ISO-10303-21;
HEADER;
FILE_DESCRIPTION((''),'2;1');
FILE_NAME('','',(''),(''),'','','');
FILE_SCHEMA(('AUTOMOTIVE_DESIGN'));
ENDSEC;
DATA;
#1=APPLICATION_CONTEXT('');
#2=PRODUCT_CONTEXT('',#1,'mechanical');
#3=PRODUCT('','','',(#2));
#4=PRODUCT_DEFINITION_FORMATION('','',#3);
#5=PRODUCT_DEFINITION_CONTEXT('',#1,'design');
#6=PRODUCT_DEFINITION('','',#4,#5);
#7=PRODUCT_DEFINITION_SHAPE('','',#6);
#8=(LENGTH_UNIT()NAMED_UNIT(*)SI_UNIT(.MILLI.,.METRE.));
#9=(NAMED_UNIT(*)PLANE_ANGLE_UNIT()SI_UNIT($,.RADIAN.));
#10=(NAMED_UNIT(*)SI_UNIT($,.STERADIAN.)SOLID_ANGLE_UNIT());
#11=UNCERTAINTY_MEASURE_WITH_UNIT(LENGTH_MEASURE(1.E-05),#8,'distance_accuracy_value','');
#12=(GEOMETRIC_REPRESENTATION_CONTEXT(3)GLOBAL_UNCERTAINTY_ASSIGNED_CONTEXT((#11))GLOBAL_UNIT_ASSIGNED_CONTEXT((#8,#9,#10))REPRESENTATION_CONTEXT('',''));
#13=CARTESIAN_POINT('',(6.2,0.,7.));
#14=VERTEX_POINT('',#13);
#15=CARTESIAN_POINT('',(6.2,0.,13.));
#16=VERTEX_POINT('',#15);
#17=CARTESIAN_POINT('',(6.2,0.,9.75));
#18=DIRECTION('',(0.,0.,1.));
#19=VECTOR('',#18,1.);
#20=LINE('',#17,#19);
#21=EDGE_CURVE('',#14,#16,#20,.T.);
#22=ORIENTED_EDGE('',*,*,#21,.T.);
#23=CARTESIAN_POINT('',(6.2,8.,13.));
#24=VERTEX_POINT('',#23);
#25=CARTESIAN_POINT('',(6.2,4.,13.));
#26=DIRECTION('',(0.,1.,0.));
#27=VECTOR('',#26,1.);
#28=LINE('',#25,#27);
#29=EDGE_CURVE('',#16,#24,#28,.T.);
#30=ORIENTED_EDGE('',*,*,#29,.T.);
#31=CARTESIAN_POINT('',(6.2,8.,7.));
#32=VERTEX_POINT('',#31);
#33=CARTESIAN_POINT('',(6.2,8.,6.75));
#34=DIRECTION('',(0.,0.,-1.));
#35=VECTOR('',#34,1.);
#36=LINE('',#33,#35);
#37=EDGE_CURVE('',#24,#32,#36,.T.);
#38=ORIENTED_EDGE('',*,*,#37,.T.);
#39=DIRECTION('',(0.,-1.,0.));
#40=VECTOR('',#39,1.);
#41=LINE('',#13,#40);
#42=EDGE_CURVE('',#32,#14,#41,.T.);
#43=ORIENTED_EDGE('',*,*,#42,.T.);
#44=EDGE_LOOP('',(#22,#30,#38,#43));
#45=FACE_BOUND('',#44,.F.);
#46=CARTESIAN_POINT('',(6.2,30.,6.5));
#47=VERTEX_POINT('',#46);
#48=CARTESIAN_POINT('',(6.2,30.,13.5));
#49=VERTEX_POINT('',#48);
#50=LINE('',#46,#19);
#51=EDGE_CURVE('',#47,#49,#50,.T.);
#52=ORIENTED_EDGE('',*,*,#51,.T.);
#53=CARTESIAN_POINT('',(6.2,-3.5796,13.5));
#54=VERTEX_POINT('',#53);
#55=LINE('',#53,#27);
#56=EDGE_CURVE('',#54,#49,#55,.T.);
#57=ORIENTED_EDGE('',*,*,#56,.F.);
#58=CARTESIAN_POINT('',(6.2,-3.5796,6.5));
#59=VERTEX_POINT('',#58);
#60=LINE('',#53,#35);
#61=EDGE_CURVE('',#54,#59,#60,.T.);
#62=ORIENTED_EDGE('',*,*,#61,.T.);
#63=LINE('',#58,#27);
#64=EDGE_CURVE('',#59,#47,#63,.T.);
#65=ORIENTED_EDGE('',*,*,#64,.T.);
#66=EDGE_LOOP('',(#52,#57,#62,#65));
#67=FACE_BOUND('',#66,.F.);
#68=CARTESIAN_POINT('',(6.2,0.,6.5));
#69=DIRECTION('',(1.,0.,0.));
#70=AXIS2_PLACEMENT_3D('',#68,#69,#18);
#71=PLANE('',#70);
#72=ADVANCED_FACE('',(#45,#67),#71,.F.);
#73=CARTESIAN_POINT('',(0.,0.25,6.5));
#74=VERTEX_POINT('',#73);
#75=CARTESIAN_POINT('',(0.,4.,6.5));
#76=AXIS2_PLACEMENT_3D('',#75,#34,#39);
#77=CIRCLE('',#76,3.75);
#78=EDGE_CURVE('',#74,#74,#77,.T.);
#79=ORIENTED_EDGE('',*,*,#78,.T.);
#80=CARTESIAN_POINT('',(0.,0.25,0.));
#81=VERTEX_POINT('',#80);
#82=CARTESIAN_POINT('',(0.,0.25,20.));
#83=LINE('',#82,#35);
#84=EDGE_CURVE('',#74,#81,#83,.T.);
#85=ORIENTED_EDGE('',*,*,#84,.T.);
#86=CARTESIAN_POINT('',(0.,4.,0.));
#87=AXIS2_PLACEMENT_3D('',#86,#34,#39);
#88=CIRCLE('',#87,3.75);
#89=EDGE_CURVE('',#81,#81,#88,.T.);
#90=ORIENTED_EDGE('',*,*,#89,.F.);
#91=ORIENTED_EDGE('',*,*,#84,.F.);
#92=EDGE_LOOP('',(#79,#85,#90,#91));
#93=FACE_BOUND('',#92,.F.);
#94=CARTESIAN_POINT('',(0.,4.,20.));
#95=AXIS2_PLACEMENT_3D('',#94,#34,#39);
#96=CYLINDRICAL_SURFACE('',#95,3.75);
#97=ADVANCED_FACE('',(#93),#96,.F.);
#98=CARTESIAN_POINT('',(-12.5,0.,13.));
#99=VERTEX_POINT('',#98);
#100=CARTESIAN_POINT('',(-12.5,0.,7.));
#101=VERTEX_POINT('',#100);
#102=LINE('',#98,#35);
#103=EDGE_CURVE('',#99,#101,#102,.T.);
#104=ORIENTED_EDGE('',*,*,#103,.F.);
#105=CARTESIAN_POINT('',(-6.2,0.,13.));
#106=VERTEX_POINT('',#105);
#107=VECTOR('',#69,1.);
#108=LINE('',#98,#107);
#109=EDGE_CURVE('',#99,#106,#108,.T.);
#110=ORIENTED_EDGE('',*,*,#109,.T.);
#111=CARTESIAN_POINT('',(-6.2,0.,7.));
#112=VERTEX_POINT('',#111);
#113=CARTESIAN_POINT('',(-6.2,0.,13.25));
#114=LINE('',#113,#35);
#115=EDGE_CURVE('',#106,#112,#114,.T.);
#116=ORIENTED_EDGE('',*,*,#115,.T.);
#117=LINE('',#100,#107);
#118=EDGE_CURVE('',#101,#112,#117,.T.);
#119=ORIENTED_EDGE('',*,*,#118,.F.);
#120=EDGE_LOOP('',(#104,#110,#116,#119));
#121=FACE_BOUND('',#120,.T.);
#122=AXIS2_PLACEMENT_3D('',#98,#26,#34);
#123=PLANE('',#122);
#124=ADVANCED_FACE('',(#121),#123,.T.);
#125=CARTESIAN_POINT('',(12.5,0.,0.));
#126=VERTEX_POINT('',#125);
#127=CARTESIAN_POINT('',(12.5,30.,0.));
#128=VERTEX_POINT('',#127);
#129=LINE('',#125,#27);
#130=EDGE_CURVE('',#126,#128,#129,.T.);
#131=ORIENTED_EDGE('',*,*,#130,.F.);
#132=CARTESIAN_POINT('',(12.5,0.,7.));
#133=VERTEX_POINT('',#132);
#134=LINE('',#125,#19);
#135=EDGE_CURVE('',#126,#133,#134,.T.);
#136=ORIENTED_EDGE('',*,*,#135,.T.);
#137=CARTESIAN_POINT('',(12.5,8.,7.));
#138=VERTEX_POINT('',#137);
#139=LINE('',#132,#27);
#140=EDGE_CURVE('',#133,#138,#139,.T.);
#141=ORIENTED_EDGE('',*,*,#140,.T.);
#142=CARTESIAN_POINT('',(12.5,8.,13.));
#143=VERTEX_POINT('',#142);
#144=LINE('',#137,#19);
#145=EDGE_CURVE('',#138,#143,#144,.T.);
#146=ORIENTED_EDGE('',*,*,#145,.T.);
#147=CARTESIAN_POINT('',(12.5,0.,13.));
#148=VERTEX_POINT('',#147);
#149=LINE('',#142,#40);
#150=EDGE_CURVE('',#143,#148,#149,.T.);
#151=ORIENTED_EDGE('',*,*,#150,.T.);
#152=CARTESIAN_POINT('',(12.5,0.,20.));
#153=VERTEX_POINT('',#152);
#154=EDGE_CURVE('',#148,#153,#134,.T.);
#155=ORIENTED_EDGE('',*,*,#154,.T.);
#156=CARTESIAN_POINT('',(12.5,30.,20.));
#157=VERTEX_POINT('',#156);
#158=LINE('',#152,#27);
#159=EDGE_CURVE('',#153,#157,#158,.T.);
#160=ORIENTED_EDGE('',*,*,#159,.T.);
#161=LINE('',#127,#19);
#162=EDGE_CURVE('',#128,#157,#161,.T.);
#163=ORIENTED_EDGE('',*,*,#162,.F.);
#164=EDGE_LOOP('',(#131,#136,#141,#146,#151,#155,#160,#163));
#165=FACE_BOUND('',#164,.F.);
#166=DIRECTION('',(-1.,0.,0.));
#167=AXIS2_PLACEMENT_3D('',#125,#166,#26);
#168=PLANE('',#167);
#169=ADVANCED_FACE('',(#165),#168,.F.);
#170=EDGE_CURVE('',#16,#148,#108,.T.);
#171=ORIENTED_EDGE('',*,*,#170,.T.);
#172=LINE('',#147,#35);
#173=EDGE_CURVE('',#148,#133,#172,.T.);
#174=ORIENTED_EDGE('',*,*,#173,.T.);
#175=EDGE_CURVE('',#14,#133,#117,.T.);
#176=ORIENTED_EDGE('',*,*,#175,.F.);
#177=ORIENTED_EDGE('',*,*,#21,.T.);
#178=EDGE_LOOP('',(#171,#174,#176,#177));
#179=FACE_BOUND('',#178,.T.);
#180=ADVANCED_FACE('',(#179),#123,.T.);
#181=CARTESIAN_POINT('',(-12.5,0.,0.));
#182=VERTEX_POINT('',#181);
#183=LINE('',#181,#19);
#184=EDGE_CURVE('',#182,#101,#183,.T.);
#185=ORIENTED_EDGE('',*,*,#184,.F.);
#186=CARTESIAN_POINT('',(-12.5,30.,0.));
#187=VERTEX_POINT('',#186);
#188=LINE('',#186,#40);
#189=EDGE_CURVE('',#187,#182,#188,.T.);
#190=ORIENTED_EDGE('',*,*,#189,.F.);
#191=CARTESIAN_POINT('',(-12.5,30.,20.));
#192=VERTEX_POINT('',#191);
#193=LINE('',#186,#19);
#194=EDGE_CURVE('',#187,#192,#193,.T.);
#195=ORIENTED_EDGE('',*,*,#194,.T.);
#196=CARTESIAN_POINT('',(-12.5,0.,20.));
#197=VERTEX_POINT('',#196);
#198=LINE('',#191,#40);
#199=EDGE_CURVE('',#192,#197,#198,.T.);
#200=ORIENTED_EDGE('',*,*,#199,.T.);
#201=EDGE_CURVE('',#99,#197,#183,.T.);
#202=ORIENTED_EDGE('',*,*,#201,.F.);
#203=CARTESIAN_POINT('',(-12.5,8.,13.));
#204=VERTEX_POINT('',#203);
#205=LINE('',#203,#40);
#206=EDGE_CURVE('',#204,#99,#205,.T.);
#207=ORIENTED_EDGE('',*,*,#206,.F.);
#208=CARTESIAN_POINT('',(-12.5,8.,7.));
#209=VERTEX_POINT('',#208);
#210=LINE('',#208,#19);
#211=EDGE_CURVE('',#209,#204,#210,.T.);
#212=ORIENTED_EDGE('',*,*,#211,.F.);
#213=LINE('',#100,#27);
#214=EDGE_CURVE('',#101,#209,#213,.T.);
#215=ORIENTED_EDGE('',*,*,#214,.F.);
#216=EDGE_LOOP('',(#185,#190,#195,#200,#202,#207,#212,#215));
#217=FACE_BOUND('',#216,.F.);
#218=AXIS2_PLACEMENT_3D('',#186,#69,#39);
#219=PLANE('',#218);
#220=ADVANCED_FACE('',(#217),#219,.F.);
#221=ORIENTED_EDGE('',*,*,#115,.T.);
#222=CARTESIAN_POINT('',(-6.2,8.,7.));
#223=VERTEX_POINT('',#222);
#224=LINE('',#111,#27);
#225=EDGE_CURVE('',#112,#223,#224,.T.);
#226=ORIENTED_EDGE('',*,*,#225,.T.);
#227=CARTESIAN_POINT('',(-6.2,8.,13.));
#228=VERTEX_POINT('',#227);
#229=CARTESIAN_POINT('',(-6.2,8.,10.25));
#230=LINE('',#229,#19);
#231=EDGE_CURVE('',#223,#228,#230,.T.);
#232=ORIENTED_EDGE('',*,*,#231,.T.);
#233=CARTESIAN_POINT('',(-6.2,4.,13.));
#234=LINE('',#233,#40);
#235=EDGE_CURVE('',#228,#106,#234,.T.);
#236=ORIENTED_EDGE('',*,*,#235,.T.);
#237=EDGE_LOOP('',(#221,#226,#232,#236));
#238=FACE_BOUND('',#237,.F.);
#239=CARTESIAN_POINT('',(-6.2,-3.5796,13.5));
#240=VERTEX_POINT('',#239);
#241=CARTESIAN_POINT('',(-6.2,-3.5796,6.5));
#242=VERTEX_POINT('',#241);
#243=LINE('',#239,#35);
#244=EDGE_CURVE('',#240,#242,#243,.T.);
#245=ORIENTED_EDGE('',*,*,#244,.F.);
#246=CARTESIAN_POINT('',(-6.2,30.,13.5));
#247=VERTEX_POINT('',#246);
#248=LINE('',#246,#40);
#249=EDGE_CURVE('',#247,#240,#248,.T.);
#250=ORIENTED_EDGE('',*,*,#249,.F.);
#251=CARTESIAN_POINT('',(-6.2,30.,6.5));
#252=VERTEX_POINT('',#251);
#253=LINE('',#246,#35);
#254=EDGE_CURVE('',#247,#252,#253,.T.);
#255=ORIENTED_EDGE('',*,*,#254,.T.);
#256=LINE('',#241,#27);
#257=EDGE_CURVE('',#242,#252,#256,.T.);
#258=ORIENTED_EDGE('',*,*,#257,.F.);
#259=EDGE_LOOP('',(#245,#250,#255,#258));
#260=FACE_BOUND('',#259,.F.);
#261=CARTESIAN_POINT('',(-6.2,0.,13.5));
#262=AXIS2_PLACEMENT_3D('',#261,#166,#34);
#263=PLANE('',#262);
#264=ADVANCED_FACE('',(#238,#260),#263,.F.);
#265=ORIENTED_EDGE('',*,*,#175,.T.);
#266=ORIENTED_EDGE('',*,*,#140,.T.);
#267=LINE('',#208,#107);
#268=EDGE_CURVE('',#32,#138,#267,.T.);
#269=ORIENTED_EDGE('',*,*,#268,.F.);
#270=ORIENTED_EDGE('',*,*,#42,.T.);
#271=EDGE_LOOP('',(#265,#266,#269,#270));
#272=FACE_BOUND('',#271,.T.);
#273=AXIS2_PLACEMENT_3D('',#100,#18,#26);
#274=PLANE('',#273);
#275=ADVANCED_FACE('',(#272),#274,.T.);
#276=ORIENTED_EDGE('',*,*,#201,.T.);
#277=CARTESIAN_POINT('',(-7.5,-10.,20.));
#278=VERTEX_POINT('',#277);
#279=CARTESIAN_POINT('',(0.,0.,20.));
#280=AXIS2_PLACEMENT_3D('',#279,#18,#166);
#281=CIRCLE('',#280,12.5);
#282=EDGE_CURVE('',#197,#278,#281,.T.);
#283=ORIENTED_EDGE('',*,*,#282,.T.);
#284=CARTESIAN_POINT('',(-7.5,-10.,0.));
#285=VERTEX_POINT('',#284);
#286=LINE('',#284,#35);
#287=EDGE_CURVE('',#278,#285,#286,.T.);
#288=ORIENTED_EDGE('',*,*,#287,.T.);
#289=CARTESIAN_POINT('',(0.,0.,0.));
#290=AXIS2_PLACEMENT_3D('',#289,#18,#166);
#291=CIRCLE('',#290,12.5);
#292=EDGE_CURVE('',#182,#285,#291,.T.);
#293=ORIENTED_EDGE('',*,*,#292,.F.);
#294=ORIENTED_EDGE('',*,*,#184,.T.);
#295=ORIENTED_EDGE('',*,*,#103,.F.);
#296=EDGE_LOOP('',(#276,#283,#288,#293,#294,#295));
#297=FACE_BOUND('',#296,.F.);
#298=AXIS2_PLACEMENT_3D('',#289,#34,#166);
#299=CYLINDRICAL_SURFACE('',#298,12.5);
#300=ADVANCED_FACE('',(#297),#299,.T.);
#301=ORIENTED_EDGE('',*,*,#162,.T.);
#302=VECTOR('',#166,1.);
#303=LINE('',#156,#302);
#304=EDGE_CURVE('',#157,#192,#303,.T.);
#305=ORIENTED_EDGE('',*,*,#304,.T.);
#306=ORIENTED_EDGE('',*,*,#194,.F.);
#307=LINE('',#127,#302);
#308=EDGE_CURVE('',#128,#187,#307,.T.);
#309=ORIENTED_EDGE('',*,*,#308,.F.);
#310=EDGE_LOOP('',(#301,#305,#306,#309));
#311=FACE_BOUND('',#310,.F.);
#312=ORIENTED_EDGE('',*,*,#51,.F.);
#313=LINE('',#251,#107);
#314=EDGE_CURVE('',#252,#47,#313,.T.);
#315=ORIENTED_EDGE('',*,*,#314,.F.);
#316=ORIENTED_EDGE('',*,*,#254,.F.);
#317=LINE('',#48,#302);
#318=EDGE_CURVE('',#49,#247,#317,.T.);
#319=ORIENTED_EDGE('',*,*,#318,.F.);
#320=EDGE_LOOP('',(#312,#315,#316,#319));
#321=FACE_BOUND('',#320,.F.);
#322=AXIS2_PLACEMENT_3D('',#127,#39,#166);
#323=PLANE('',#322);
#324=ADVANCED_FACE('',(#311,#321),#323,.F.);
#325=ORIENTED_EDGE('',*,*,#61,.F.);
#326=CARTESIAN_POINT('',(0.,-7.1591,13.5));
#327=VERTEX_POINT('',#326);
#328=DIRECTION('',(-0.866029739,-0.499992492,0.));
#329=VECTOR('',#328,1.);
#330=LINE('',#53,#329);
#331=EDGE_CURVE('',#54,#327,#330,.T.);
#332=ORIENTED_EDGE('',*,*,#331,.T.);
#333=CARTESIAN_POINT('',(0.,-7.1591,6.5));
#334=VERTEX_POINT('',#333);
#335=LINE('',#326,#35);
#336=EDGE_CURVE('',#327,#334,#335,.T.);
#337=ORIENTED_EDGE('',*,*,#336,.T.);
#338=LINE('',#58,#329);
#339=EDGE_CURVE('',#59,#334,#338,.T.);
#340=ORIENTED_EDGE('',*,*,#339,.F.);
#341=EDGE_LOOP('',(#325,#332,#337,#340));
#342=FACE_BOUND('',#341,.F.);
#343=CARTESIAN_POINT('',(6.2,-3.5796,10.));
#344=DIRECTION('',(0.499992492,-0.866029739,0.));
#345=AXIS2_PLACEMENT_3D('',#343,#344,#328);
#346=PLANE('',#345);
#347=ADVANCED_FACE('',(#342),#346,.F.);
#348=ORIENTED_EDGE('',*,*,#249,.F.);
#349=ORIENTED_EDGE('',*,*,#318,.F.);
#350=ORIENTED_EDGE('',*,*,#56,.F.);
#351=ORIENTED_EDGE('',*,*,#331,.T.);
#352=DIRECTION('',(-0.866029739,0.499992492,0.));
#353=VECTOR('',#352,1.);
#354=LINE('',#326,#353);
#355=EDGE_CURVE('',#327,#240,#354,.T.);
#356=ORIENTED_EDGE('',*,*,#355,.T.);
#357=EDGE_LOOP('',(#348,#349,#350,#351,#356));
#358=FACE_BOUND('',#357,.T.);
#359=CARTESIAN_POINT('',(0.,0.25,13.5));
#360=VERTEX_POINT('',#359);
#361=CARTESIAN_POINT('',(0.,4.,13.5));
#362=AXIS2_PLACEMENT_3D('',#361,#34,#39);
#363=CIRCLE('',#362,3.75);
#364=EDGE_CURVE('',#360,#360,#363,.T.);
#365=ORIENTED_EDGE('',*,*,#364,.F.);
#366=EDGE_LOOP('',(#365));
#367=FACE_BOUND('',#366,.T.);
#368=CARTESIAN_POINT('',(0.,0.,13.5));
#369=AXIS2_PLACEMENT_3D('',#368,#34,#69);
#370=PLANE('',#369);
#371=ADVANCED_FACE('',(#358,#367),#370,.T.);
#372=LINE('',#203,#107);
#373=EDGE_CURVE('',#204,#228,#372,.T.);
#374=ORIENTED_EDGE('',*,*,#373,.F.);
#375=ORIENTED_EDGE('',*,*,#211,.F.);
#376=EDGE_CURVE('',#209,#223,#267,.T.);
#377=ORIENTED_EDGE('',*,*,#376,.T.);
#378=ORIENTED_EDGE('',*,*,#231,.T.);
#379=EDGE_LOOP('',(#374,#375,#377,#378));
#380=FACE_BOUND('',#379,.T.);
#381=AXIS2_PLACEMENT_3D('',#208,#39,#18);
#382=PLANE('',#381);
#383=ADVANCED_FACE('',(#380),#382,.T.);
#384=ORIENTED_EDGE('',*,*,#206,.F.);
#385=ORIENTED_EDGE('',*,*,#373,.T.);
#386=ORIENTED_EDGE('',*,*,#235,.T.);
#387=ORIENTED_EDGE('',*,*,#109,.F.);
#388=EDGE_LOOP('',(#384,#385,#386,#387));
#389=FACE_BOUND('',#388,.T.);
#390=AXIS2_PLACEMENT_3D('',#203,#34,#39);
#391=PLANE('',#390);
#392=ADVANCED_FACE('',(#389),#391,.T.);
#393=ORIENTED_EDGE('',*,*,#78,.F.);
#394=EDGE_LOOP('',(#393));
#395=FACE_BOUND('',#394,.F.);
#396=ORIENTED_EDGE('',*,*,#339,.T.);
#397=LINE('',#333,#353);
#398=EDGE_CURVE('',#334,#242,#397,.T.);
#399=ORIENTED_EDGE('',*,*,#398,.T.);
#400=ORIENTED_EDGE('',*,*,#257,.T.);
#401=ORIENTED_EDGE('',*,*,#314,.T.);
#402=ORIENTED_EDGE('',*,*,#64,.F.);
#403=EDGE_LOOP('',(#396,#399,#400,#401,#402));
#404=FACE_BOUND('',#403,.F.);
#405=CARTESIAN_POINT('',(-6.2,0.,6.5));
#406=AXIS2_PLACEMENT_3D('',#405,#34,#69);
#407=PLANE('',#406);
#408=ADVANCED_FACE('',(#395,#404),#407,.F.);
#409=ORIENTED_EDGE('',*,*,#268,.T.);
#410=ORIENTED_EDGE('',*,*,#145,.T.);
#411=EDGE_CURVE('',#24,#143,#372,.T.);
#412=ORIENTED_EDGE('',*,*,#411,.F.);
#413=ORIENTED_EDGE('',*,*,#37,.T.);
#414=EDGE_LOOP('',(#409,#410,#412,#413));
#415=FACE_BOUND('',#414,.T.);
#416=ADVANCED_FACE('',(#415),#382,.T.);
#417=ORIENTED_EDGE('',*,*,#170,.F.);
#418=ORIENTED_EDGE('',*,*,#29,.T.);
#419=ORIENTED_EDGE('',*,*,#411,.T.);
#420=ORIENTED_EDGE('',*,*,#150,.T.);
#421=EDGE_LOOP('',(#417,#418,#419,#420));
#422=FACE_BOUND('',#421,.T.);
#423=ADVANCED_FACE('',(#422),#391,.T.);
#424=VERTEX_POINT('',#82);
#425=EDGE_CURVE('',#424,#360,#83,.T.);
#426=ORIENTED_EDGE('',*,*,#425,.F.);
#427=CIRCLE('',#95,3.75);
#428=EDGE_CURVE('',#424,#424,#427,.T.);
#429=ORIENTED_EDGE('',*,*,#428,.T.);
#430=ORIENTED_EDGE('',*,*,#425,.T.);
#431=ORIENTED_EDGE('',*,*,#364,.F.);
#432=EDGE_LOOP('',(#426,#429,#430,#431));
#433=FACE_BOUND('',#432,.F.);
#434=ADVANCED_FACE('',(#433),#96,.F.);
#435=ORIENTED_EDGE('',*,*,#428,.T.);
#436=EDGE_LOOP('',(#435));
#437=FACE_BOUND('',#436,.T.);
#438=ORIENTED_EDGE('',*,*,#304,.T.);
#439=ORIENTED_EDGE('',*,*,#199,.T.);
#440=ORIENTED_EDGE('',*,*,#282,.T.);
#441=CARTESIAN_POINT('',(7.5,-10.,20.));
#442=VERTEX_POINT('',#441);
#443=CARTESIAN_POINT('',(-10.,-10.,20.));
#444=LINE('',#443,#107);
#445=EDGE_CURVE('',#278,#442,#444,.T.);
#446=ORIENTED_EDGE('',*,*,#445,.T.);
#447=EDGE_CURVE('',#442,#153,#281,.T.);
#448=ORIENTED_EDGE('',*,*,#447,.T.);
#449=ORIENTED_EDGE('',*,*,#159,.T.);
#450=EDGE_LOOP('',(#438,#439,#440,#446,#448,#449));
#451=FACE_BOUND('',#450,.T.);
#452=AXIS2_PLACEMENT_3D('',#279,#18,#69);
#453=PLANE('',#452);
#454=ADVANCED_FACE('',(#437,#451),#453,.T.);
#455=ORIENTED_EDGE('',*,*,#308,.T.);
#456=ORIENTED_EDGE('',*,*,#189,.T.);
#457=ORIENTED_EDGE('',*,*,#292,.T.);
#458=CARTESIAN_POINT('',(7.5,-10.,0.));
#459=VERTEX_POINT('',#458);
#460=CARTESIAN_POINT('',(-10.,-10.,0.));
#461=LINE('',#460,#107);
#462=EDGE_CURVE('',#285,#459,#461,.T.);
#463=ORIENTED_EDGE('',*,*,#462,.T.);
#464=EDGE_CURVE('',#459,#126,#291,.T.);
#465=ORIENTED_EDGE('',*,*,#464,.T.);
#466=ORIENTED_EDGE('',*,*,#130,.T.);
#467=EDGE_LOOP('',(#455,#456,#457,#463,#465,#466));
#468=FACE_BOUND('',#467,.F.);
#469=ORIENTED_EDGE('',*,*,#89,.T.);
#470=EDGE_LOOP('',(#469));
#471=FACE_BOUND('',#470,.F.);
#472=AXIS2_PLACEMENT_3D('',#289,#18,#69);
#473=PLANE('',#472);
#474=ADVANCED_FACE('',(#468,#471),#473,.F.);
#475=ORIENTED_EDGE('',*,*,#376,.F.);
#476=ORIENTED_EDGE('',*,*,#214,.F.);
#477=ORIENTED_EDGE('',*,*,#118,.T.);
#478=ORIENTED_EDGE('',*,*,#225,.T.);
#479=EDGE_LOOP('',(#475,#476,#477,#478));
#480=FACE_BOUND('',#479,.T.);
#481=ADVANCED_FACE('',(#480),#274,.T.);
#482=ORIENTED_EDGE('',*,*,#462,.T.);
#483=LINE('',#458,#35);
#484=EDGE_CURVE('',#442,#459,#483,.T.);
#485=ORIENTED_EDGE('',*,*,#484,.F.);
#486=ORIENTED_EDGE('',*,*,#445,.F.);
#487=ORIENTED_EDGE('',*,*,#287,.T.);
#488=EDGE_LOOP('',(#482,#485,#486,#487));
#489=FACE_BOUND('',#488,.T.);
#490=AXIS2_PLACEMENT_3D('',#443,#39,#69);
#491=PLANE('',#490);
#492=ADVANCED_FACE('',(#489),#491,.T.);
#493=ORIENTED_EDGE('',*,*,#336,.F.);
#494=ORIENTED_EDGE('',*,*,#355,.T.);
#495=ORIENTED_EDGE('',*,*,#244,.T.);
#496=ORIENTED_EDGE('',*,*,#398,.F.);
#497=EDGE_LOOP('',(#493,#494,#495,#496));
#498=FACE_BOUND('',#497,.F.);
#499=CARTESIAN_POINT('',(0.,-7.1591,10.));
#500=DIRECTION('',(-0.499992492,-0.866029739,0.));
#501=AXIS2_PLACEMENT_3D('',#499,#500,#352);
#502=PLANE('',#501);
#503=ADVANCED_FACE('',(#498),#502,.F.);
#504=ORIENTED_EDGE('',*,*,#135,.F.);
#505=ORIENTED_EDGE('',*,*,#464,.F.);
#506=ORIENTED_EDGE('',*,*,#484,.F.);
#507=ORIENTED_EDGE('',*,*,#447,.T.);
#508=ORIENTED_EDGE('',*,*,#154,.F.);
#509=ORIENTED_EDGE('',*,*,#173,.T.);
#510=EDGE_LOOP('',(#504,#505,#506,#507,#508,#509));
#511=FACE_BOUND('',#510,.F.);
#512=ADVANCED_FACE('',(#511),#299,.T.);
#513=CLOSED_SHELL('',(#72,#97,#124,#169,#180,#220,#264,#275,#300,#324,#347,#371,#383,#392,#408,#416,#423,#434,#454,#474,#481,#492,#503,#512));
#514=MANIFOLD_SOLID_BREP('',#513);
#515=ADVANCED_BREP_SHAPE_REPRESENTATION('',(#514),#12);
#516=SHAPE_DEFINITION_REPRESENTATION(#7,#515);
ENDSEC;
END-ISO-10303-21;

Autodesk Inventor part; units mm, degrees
ref_plane "YZ Plane" through (0, 0, 0) normal (1, 0, 0) x (0, 1, 0)
ref_plane "XZ Plane" through (0, 0, 0) normal (0, 1, 0) x (-1, 0, 0)
sketch "Sketch1" plane through (0, 0, 0) normal (0, 0, 1) x (1, 0, 0)
  line L0 (12.5, 0) -> (12.5, 30)
  line L1 (12.5, 30) -> (-12.5, 30)
  line L2 (-12.5, 30) -> (-12.5, 0)
  arc A0 (-12.5, 0) -> (12.5, 0) centre (0, 0) ccw
  point P0 (0, 30)
  dimension "d0" = 25
  dimension "d1" = 30
  dimension "d2" = 30
  dimension "d3" = 12.5
  dimension "d4" = 12.5
  dimension "d5" = 12.5
extrude "Extrusion1" add sketch "Sketch1" along normal blind 20
ref_plane "Work Plane1" through (0, 0, 10) normal (0, 0, 1) x (1, 0, 0)
sketch "Sketch2" plane through (0, 0, 10) normal (0, 0, 1) x (1, 0, 0)
  line L0 (6.2, 3.5796) -> (6.2, -3.5796)
  line L1 (6.2, -3.5796) -> (0, -7.1591)
  line L2 (0, -7.1591) -> (-6.2, -3.5796)
  line L3 (-6.2, -3.5796) -> (-6.2, 3.5796)
  line L4 (-6.2, 3.5796) -> (0, 7.1591)
  line L5 (0, 7.1591) -> (6.2, 3.5796)
  line L6 (12.5, 30) -> (12.5, 0) projected
  line L7 (-12.5, 0) -> (-12.5, 30) projected
  line L8 (-12.5, 30) -> (12.5, 30) projected
  line L9 (12.5, 30) -> (12.5, 0) projected
  arc A0 (-12.5, 0) -> (12.5, 0) centre (0, 0) ccw projected
  dimension "d9" = 12.4
extrude "Extrusion2" cut sketch "Sketch2" along normal mid plane 7 contours L0 L1 L2 L3 L4 L5
sketch "Sketch3" plane through (0, 0, 0) normal (0, 1, 0) x (-1, 0, 0)
  point P0 (0, 0)
sketch "Sketch4" plane through (0, 0, 10) normal (0, 0, 1) x (1, 0, 0)
  point P0 (0, 0)
sketch "Sketch6" plane through (0, 0, 0) normal (0, 1, 0) x (-1, 0, 0)
  line L0 (6.2, 13.5) -> (6.2, 6.5) projected
  line L1 (0, 13.5) -> (-6.2, 13.5) projected
  line L2 (6.2, 6.5) -> (-6.2, 6.5)
  line L3 (-6.2, 6.5) -> (-6.2, 13.5)
  line L4 (-6.2, 13.5) -> (6.2, 13.5)
  line L5 (6.2, 13.5) -> (6.2, 6.5)
  point P0 (0, 0)
extrude "Extrusion3" cut sketch "Sketch6" along normal blind 30
sketch "Sketch7" plane through (0, 0, 20) normal (0, 0, 1) x (1, 0, 0)
  arc A0 (-12.5, 0) -> (12.5, 0) centre (0, 0) ccw projected
  line L0 (12.5, 30) -> (-12.5, 30) projected
  line L1 (12.5, 0) -> (12.5, 30) projected
  point P0 (0, 4)
  dimension "d27" = 26
  dimension "d28" = 12.5
hole "Hole1" at (0, 4, 20) direction (0, 0, -1) diameter 7.5 end through all
sketch "Sketch8" plane through (-12.5, 0, 0) normal (-1, 0, 0) x (0, 0, 1)
  line L0 (7, 8) -> (13, 8)
  line L1 (13, 8) -> (13, 0)
  line L2 (13, 0) -> (7, 0)
  line L3 (7, 0) -> (7, 8)
  line L4 (0, 0) -> (0, 30) projected
  dimension "d21" = 6
  dimension "d22" = 8
  dimension "d23" = 7
  dimension "d24" = 0
extrude "Extrusion4" cut sketch "Sketch8" against normal blind 25
sketch "Sketch9" plane through (0, 0, 20) normal (0, 0, 1) x (1, 0, 0)
  line L0 (-10, -10) -> (10, -10)
  line L1 (10, -10) -> (10, -15)
  line L2 (10, -15) -> (-10, -15)
  line L3 (-10, -15) -> (-10, -10)
  point P0 (0, 0)
  point P1 (0, -10)
  dimension "d29" = 10
  dimension "d30" = 5
  dimension "d31" = 20
extrude "Extrusion5" cut sketch "Sketch9" against normal blind 20
equation "\"d1\" = d2"
properties part number "Acople tuerca salida"
